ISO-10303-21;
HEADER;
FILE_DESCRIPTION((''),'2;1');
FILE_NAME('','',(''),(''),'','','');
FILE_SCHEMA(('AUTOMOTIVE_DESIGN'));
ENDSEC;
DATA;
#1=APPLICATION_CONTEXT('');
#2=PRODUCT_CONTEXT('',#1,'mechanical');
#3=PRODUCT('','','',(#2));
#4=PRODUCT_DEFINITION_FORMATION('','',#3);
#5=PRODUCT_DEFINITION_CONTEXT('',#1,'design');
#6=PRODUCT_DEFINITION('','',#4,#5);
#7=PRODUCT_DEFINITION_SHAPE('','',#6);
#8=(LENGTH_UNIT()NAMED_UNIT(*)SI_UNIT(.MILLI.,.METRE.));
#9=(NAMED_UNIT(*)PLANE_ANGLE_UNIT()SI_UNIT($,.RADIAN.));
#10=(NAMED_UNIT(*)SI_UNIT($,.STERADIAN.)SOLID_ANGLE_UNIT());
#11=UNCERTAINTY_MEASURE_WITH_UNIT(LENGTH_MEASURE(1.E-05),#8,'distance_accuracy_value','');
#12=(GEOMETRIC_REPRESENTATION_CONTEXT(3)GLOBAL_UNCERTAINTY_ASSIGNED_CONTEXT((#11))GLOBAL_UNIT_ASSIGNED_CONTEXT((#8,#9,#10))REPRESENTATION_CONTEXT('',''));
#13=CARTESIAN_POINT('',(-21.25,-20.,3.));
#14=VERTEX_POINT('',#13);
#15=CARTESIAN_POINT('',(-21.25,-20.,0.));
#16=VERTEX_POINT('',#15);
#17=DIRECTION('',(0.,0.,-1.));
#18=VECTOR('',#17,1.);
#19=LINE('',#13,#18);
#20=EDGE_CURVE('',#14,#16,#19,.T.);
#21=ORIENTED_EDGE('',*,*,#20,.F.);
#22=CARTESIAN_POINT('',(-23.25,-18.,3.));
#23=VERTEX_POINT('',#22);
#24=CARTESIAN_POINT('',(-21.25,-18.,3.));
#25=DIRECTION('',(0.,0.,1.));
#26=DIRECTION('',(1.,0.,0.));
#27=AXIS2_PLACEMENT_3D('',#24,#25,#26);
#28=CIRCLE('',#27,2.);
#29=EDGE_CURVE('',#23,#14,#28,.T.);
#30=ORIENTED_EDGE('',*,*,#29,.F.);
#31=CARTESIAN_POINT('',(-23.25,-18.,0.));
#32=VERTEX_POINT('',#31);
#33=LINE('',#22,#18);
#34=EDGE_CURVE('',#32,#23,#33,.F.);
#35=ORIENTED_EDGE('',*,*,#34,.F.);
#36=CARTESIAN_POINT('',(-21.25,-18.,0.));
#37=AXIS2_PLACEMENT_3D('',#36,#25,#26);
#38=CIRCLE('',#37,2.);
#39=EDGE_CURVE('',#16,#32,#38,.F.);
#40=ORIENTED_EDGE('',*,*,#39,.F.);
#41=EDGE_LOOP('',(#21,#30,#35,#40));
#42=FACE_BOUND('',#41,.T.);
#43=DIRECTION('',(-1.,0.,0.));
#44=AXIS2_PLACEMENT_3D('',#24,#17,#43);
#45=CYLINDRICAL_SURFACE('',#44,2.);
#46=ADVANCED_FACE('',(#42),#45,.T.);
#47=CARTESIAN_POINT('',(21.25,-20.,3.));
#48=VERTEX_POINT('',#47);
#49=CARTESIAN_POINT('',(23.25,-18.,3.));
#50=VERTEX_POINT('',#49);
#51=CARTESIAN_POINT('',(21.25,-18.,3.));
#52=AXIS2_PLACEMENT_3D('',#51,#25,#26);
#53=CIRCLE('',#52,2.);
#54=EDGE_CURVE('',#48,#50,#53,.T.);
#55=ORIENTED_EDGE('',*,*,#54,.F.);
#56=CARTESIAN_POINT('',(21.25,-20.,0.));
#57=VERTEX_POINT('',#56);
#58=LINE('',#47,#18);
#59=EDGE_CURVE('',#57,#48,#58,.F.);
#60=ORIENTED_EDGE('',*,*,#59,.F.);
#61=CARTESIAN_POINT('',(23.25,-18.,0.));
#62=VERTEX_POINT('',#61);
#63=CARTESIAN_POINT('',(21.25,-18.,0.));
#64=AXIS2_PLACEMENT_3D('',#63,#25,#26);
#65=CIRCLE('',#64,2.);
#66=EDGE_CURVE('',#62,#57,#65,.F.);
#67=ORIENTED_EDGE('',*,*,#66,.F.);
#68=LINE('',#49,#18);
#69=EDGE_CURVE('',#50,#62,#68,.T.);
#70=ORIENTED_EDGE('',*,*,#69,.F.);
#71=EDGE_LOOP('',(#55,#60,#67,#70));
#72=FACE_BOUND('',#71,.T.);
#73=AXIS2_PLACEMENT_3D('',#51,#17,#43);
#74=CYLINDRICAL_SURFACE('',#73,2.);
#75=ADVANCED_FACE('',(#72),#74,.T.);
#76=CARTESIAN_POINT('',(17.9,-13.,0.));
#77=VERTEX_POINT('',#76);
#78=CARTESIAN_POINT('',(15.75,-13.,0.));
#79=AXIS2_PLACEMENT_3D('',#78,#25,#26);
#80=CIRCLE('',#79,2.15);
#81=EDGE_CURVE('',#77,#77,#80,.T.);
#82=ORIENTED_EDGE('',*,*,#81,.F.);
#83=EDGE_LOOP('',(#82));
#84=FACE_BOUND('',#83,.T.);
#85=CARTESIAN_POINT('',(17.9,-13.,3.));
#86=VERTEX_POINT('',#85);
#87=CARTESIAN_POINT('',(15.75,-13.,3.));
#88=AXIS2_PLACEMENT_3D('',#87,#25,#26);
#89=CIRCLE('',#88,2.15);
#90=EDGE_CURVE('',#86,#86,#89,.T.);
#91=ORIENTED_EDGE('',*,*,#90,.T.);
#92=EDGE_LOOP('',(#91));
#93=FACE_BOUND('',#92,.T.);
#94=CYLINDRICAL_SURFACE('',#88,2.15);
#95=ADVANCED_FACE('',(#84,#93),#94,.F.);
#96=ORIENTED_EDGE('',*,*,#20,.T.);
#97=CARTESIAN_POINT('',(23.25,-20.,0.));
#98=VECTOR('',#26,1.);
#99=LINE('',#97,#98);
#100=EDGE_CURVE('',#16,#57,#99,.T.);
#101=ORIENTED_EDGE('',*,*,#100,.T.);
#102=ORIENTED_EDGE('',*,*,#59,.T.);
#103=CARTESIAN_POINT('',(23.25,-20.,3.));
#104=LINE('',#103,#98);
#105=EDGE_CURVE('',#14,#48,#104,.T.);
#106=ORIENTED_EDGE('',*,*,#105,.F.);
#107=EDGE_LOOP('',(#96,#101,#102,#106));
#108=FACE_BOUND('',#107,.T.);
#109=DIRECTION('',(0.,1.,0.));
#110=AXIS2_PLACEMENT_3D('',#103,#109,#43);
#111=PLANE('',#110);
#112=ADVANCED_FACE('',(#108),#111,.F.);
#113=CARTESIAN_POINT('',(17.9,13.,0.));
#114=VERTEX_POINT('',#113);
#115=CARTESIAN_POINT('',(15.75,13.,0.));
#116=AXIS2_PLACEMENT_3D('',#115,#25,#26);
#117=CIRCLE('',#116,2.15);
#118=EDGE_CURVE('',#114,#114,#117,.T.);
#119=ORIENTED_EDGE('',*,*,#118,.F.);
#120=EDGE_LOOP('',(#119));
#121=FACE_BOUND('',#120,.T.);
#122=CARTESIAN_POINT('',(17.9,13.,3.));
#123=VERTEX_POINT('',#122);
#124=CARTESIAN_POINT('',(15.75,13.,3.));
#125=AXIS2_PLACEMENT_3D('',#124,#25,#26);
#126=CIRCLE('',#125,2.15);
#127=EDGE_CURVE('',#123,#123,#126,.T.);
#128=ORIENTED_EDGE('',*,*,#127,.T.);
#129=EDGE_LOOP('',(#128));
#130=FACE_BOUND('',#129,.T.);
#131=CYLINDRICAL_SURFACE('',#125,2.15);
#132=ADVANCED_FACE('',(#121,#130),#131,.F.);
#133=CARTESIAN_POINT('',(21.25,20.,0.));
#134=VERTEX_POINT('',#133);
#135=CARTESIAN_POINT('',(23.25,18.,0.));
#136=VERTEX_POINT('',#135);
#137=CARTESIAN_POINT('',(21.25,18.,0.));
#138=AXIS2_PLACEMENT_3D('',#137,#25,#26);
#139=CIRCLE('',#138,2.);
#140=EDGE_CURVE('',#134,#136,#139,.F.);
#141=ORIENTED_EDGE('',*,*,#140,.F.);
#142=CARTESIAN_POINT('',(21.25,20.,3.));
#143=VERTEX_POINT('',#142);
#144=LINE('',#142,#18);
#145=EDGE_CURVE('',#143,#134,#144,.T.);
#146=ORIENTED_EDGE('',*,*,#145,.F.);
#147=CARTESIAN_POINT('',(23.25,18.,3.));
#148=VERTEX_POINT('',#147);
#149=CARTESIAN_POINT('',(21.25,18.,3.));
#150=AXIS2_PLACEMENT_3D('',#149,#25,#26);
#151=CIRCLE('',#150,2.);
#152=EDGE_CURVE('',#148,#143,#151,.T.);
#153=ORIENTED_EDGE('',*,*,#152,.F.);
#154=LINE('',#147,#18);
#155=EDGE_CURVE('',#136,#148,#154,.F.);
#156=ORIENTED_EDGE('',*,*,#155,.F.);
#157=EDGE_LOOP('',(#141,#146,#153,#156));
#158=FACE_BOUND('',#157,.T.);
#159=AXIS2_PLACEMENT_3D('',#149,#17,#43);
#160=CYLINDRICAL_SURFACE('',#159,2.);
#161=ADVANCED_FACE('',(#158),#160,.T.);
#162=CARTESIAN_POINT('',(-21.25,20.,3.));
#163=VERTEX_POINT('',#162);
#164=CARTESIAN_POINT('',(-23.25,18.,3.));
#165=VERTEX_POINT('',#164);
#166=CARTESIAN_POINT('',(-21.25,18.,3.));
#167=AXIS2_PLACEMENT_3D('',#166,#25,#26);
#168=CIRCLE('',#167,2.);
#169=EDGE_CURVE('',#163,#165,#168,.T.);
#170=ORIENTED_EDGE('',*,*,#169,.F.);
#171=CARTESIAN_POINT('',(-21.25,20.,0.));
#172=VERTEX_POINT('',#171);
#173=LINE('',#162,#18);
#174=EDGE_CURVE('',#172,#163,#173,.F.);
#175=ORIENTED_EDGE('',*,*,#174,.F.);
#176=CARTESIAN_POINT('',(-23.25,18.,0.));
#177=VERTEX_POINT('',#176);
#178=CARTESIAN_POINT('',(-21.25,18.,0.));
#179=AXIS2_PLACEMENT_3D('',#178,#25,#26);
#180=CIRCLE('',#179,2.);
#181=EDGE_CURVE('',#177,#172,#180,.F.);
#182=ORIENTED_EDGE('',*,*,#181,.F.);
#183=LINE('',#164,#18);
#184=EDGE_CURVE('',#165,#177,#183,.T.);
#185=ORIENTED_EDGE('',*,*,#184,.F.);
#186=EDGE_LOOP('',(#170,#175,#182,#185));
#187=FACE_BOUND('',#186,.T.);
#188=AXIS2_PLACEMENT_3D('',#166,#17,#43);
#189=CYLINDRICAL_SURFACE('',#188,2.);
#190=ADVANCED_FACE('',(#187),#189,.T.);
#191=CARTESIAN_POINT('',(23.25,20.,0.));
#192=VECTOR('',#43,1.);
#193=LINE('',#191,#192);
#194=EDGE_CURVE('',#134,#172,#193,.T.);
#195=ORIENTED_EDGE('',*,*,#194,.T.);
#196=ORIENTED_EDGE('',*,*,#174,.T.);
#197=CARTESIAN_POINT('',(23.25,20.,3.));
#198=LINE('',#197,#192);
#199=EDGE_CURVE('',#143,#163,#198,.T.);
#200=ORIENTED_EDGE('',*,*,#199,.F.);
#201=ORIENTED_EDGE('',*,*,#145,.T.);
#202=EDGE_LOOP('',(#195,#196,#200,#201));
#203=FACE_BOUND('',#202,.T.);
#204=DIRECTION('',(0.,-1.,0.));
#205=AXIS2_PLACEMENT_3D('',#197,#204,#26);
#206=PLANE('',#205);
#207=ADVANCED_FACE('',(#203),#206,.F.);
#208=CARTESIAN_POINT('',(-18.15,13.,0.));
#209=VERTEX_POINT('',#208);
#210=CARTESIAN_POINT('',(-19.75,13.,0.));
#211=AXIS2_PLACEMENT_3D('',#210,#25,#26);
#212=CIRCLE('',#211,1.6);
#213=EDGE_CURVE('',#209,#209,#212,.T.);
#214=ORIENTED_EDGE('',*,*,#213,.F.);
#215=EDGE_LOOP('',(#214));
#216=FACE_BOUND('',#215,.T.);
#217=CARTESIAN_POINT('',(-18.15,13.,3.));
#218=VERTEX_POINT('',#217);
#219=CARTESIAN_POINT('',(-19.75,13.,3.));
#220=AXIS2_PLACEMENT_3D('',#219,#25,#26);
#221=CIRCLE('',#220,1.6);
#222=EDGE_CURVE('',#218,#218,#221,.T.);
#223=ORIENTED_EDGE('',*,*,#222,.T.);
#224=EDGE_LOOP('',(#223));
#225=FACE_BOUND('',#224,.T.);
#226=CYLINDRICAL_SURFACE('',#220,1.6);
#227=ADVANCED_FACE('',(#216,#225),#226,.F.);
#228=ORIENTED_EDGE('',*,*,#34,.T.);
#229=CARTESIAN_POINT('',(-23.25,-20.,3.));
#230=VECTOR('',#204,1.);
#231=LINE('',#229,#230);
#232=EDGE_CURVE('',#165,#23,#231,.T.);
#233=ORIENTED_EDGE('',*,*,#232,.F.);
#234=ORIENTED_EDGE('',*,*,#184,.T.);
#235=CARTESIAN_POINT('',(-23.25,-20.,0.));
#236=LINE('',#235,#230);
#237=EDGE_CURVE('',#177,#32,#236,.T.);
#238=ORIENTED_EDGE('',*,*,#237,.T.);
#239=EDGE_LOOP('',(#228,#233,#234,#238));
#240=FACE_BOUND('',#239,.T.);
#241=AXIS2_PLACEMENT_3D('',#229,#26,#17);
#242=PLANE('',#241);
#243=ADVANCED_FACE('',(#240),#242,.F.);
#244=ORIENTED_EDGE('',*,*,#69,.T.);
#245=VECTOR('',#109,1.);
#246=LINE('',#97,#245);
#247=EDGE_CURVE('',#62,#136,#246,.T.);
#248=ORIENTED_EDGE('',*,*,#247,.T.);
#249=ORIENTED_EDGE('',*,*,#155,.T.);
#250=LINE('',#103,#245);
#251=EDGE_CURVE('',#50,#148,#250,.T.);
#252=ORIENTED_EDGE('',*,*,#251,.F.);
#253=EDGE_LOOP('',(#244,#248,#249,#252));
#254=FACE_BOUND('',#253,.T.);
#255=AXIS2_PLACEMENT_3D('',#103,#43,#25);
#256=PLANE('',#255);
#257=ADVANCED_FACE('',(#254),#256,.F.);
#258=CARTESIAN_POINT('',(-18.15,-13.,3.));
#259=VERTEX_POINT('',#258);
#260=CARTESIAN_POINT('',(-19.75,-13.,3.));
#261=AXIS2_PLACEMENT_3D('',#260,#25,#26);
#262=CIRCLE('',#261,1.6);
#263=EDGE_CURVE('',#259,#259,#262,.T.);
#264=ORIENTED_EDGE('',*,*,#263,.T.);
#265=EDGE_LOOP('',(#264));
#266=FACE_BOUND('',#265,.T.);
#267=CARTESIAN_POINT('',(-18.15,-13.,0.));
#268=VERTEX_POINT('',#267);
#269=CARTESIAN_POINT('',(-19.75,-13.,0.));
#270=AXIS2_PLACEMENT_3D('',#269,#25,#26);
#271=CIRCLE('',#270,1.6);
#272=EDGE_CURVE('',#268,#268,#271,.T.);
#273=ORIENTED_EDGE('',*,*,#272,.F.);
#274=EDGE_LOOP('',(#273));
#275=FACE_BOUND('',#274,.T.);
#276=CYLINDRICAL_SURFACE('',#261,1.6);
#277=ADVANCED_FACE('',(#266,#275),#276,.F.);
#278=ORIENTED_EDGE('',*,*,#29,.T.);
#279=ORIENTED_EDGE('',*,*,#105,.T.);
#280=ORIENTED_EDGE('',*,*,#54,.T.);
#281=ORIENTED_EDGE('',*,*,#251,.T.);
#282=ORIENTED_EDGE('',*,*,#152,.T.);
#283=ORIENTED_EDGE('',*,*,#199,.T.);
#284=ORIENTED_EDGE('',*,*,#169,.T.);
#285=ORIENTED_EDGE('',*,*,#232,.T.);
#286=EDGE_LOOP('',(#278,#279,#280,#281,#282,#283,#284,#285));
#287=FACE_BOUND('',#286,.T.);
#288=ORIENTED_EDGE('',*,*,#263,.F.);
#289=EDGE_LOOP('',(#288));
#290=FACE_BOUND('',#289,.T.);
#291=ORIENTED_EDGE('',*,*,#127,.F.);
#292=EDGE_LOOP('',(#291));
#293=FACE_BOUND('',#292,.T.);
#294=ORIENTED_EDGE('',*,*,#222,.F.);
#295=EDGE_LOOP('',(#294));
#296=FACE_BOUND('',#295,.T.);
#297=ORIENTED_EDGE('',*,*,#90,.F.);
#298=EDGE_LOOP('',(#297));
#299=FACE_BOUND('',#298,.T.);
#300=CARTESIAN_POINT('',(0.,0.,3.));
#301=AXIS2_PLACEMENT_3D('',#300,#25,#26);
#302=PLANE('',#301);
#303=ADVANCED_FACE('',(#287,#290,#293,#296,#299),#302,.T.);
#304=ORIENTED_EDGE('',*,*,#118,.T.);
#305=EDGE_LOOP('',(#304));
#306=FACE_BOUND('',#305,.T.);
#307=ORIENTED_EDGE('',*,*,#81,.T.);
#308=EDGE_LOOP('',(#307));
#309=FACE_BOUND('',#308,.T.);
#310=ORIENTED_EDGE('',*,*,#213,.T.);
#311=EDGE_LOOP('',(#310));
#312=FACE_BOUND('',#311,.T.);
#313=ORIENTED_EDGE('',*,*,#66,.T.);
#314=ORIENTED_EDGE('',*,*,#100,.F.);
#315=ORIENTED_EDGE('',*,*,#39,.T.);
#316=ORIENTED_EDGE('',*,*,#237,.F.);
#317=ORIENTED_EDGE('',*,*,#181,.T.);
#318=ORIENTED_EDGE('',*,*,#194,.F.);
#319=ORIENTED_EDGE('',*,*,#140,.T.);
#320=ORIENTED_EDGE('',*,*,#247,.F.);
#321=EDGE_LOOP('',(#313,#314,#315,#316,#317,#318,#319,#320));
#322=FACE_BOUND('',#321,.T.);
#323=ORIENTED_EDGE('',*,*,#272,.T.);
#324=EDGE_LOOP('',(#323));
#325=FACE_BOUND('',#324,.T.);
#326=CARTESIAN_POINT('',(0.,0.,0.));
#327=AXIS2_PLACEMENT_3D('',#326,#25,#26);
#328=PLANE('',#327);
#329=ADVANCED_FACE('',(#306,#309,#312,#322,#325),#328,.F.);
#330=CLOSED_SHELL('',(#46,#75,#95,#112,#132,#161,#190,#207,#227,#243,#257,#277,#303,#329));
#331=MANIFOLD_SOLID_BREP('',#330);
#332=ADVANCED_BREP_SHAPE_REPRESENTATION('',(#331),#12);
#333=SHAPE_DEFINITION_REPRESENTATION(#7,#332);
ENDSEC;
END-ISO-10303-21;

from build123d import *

# Parameters (mm, degrees)
SKETCH1_W                = 46.5
SKETCH1_H                = 40
BOSS_EXTRUDE1_DEPTH      = 3
M3_CLEARANCE_HOLE1_D     = 3.2
M3_CLEARANCE_HOLE1_DEPTH = 8
M3_CLEARANCE_HOLE1_TIP   = 0.96137699
M4_CLEARANCE_HOLE1_D     = 4.3
M4_CLEARANCE_HOLE1_DEPTH = 8
M4_CLEARANCE_HOLE1_TIP   = 1.291850331
FILLET1_R                = 2


with BuildPart() as part:
    # Sketch1 → Boss-Extrude1 (new body)
    with BuildSketch(Plane.XY):
        Rectangle(SKETCH1_W, SKETCH1_H)
    extrude(amount=BOSS_EXTRUDE1_DEPTH)

    # M3 Clearance Hole1
    with Locations(Plane.XY.offset(3)):
        with Locations((-19.75, 13), (-19.75, -13)):
            Hole(M3_CLEARANCE_HOLE1_D / 2, depth=M3_CLEARANCE_HOLE1_DEPTH)
            with Locations((0, 0, -(M3_CLEARANCE_HOLE1_DEPTH + M3_CLEARANCE_HOLE1_TIP / 2))):  # 118° drill point
                Cone(0, M3_CLEARANCE_HOLE1_D / 2, M3_CLEARANCE_HOLE1_TIP, mode=Mode.SUBTRACT)

    # M4 Clearance Hole1
    with Locations(Plane.XY.offset(3)):
        with Locations((15.75, 13), (15.75, -13)):
            Hole(M4_CLEARANCE_HOLE1_D / 2, depth=M4_CLEARANCE_HOLE1_DEPTH)
            with Locations((0, 0, -(M4_CLEARANCE_HOLE1_DEPTH + M4_CLEARANCE_HOLE1_TIP / 2))):  # 118° drill point
                Cone(0, M4_CLEARANCE_HOLE1_D / 2, M4_CLEARANCE_HOLE1_TIP, mode=Mode.SUBTRACT)

    # Fillet1
    fillet1_edges = [part.edges().sort_by_distance(p)[0] for p in [
        (-23.25, 20, 1.5),
        (23.25, 20, 1.5),
        (23.25, -20, 1.5),
        (-23.25, -20, 1.5),
    ]]
    fillet(fillet1_edges, radius=FILLET1_R)


solid = part.part
